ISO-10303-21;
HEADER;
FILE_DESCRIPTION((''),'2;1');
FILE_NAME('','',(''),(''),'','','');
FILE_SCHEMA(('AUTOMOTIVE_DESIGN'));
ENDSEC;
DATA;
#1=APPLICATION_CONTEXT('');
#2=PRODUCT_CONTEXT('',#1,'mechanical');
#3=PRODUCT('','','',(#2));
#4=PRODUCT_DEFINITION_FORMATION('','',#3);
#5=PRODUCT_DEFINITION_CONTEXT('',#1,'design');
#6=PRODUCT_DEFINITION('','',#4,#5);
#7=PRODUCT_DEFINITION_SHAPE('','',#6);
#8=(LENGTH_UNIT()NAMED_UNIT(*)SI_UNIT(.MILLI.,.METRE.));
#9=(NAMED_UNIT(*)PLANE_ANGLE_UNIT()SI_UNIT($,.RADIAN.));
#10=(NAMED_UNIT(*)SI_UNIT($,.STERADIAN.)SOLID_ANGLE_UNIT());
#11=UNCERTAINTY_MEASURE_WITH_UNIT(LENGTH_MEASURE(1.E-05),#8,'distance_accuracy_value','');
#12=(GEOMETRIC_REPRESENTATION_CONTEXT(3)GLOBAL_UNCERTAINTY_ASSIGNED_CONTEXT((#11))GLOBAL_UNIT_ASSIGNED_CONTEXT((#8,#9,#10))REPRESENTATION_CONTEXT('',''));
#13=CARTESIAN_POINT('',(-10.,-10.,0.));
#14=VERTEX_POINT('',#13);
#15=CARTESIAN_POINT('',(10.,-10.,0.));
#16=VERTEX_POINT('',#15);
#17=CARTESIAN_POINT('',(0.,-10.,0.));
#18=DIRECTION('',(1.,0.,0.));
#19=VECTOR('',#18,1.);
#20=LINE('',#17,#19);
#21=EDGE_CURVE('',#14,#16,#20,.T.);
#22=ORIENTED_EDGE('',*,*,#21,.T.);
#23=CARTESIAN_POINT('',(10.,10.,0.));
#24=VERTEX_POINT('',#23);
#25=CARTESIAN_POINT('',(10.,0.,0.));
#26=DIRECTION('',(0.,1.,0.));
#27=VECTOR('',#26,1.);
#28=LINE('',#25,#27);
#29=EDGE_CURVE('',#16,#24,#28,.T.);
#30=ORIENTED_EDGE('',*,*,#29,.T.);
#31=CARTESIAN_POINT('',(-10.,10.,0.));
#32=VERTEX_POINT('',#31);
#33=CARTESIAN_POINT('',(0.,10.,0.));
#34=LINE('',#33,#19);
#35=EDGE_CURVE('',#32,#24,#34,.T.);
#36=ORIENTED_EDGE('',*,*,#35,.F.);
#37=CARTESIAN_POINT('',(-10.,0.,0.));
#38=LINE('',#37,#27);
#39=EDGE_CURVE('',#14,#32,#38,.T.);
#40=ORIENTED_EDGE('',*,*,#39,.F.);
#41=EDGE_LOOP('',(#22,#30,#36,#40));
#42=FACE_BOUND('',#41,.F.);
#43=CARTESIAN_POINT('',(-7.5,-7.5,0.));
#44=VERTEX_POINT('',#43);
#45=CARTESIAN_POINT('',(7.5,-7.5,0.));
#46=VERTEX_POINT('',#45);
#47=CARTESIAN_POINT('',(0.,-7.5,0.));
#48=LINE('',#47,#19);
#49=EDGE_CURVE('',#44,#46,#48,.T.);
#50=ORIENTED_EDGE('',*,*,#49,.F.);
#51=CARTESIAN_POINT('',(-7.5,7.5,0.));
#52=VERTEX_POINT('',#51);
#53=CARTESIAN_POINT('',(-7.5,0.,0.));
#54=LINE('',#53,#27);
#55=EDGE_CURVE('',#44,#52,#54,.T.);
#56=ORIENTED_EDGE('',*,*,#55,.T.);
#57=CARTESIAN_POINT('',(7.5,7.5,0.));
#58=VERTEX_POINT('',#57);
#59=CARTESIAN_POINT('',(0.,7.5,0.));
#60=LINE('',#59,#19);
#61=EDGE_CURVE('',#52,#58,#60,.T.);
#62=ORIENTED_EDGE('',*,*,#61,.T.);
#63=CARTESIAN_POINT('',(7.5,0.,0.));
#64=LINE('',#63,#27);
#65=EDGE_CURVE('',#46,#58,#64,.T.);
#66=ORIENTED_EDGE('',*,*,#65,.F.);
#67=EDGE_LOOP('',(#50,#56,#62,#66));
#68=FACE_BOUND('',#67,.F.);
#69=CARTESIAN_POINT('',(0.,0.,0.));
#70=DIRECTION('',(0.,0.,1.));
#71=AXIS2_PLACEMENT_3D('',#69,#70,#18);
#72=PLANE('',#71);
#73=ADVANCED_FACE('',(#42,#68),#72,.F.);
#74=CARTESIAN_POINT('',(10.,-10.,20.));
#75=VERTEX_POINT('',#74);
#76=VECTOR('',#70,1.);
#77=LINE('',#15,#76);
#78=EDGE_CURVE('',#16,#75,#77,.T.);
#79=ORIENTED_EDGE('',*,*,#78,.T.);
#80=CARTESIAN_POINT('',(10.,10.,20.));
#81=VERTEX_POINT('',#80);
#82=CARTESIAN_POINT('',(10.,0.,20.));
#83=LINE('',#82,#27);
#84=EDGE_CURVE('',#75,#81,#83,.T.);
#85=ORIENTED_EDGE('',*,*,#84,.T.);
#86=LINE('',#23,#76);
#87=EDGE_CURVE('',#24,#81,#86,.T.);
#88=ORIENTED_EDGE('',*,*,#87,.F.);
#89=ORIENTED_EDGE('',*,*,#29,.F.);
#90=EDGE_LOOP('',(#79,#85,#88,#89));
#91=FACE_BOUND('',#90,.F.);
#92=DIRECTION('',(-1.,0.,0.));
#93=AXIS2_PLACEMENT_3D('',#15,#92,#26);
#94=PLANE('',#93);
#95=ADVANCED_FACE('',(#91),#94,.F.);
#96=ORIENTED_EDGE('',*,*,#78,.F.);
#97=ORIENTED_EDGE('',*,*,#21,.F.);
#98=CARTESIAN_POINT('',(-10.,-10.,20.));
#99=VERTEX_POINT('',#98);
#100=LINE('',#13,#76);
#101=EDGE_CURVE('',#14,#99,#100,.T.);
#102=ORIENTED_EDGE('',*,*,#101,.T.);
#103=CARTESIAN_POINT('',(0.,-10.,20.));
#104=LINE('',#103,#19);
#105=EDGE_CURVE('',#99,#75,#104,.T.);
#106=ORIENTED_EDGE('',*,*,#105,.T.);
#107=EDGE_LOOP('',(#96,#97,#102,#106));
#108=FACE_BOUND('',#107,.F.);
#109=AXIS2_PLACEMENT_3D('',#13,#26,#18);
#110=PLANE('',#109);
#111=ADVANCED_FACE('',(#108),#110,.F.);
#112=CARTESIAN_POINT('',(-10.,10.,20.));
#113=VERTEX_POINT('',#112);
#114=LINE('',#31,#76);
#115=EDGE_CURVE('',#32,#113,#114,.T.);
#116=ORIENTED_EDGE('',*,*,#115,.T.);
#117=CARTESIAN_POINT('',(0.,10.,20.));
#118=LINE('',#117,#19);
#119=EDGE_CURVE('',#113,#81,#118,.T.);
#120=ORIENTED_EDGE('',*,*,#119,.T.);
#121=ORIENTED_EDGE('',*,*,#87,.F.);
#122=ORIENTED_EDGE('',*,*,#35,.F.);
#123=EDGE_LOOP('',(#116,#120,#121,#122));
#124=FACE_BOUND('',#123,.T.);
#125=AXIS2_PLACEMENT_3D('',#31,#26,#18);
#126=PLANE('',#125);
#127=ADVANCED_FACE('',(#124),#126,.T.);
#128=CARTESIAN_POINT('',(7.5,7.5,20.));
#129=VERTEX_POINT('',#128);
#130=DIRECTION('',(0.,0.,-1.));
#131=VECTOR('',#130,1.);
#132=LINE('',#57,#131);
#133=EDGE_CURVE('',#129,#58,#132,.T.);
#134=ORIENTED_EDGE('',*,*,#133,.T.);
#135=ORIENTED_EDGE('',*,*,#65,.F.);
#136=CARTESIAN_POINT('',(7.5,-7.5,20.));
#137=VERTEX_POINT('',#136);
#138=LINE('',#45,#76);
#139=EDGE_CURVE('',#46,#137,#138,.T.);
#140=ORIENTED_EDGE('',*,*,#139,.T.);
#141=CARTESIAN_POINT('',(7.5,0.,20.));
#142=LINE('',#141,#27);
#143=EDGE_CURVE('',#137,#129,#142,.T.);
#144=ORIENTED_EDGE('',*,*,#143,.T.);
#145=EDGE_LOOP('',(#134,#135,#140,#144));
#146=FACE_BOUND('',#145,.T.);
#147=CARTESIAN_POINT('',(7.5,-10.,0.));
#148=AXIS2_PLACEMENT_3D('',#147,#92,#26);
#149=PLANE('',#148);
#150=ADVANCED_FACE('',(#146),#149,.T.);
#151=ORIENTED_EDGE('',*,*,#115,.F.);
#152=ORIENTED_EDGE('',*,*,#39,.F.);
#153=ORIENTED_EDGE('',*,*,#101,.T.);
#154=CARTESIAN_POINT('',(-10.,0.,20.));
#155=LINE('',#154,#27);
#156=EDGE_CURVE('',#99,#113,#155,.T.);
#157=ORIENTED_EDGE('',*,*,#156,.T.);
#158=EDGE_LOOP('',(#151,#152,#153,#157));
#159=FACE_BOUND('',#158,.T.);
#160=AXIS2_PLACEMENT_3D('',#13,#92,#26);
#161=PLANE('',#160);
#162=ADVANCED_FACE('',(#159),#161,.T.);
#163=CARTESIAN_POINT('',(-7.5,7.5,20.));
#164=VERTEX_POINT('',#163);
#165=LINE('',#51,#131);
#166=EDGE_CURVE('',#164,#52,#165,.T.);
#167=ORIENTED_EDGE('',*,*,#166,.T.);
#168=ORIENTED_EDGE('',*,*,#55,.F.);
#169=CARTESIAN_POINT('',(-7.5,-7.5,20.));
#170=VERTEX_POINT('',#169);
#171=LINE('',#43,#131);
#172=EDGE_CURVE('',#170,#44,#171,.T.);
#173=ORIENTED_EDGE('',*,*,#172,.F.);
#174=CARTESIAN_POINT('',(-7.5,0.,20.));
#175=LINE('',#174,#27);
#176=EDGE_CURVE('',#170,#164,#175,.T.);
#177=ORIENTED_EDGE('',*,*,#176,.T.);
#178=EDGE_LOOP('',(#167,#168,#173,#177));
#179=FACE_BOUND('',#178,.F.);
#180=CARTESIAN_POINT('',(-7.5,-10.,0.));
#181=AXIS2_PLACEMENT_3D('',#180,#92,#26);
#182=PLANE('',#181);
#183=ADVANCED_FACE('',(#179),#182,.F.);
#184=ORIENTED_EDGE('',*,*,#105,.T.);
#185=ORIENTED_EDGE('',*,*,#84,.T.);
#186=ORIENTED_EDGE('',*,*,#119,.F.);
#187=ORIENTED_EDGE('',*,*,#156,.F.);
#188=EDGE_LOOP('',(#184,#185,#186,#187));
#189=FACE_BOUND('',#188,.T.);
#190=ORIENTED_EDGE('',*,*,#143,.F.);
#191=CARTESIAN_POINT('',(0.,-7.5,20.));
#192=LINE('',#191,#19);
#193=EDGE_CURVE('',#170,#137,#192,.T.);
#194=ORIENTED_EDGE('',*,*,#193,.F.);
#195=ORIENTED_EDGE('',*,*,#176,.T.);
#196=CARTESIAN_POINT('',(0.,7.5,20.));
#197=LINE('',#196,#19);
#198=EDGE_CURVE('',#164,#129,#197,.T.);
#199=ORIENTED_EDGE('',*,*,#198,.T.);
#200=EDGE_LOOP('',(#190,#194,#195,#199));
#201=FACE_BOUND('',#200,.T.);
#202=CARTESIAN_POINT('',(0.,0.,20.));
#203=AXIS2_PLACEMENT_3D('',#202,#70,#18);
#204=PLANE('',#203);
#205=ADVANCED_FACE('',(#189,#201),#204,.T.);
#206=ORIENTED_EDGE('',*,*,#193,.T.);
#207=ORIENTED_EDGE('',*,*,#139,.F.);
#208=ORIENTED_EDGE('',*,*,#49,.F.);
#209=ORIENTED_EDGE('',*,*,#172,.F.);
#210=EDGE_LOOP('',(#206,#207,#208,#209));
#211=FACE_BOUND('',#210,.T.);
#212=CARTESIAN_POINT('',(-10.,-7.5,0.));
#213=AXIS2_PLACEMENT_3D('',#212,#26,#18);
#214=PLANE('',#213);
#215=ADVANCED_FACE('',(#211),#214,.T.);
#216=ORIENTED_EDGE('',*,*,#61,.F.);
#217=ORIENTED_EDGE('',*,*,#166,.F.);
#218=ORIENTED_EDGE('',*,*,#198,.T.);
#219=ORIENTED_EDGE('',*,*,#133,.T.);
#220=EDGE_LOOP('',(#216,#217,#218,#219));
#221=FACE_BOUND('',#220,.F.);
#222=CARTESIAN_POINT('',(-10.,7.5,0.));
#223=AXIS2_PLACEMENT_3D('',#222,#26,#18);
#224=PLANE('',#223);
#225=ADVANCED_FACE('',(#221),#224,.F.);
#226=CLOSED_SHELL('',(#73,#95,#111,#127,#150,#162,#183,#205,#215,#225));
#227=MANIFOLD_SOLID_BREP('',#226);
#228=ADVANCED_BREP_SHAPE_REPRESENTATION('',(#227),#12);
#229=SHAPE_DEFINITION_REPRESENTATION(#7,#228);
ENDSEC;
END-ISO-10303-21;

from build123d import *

# Parameters (mm, degrees)
F0_W     = 20
F0_H     = 20
F1_DEPTH = 20
F2_T     = -2.5


with BuildPart() as f1:
    # F0 (on Top) → F1 (new body)
    with BuildSketch(Plane.XY):
        Rectangle(F0_W, F0_H)
    extrude(amount=F1_DEPTH)

    # F2
    f2_openings = [f1.faces().sort_by_distance(p)[0] for p in [
        (0, 0, 20),
        (0, 0, 0),
    ]]
    offset(amount=F2_T, openings=f2_openings)


solid = f1.part
